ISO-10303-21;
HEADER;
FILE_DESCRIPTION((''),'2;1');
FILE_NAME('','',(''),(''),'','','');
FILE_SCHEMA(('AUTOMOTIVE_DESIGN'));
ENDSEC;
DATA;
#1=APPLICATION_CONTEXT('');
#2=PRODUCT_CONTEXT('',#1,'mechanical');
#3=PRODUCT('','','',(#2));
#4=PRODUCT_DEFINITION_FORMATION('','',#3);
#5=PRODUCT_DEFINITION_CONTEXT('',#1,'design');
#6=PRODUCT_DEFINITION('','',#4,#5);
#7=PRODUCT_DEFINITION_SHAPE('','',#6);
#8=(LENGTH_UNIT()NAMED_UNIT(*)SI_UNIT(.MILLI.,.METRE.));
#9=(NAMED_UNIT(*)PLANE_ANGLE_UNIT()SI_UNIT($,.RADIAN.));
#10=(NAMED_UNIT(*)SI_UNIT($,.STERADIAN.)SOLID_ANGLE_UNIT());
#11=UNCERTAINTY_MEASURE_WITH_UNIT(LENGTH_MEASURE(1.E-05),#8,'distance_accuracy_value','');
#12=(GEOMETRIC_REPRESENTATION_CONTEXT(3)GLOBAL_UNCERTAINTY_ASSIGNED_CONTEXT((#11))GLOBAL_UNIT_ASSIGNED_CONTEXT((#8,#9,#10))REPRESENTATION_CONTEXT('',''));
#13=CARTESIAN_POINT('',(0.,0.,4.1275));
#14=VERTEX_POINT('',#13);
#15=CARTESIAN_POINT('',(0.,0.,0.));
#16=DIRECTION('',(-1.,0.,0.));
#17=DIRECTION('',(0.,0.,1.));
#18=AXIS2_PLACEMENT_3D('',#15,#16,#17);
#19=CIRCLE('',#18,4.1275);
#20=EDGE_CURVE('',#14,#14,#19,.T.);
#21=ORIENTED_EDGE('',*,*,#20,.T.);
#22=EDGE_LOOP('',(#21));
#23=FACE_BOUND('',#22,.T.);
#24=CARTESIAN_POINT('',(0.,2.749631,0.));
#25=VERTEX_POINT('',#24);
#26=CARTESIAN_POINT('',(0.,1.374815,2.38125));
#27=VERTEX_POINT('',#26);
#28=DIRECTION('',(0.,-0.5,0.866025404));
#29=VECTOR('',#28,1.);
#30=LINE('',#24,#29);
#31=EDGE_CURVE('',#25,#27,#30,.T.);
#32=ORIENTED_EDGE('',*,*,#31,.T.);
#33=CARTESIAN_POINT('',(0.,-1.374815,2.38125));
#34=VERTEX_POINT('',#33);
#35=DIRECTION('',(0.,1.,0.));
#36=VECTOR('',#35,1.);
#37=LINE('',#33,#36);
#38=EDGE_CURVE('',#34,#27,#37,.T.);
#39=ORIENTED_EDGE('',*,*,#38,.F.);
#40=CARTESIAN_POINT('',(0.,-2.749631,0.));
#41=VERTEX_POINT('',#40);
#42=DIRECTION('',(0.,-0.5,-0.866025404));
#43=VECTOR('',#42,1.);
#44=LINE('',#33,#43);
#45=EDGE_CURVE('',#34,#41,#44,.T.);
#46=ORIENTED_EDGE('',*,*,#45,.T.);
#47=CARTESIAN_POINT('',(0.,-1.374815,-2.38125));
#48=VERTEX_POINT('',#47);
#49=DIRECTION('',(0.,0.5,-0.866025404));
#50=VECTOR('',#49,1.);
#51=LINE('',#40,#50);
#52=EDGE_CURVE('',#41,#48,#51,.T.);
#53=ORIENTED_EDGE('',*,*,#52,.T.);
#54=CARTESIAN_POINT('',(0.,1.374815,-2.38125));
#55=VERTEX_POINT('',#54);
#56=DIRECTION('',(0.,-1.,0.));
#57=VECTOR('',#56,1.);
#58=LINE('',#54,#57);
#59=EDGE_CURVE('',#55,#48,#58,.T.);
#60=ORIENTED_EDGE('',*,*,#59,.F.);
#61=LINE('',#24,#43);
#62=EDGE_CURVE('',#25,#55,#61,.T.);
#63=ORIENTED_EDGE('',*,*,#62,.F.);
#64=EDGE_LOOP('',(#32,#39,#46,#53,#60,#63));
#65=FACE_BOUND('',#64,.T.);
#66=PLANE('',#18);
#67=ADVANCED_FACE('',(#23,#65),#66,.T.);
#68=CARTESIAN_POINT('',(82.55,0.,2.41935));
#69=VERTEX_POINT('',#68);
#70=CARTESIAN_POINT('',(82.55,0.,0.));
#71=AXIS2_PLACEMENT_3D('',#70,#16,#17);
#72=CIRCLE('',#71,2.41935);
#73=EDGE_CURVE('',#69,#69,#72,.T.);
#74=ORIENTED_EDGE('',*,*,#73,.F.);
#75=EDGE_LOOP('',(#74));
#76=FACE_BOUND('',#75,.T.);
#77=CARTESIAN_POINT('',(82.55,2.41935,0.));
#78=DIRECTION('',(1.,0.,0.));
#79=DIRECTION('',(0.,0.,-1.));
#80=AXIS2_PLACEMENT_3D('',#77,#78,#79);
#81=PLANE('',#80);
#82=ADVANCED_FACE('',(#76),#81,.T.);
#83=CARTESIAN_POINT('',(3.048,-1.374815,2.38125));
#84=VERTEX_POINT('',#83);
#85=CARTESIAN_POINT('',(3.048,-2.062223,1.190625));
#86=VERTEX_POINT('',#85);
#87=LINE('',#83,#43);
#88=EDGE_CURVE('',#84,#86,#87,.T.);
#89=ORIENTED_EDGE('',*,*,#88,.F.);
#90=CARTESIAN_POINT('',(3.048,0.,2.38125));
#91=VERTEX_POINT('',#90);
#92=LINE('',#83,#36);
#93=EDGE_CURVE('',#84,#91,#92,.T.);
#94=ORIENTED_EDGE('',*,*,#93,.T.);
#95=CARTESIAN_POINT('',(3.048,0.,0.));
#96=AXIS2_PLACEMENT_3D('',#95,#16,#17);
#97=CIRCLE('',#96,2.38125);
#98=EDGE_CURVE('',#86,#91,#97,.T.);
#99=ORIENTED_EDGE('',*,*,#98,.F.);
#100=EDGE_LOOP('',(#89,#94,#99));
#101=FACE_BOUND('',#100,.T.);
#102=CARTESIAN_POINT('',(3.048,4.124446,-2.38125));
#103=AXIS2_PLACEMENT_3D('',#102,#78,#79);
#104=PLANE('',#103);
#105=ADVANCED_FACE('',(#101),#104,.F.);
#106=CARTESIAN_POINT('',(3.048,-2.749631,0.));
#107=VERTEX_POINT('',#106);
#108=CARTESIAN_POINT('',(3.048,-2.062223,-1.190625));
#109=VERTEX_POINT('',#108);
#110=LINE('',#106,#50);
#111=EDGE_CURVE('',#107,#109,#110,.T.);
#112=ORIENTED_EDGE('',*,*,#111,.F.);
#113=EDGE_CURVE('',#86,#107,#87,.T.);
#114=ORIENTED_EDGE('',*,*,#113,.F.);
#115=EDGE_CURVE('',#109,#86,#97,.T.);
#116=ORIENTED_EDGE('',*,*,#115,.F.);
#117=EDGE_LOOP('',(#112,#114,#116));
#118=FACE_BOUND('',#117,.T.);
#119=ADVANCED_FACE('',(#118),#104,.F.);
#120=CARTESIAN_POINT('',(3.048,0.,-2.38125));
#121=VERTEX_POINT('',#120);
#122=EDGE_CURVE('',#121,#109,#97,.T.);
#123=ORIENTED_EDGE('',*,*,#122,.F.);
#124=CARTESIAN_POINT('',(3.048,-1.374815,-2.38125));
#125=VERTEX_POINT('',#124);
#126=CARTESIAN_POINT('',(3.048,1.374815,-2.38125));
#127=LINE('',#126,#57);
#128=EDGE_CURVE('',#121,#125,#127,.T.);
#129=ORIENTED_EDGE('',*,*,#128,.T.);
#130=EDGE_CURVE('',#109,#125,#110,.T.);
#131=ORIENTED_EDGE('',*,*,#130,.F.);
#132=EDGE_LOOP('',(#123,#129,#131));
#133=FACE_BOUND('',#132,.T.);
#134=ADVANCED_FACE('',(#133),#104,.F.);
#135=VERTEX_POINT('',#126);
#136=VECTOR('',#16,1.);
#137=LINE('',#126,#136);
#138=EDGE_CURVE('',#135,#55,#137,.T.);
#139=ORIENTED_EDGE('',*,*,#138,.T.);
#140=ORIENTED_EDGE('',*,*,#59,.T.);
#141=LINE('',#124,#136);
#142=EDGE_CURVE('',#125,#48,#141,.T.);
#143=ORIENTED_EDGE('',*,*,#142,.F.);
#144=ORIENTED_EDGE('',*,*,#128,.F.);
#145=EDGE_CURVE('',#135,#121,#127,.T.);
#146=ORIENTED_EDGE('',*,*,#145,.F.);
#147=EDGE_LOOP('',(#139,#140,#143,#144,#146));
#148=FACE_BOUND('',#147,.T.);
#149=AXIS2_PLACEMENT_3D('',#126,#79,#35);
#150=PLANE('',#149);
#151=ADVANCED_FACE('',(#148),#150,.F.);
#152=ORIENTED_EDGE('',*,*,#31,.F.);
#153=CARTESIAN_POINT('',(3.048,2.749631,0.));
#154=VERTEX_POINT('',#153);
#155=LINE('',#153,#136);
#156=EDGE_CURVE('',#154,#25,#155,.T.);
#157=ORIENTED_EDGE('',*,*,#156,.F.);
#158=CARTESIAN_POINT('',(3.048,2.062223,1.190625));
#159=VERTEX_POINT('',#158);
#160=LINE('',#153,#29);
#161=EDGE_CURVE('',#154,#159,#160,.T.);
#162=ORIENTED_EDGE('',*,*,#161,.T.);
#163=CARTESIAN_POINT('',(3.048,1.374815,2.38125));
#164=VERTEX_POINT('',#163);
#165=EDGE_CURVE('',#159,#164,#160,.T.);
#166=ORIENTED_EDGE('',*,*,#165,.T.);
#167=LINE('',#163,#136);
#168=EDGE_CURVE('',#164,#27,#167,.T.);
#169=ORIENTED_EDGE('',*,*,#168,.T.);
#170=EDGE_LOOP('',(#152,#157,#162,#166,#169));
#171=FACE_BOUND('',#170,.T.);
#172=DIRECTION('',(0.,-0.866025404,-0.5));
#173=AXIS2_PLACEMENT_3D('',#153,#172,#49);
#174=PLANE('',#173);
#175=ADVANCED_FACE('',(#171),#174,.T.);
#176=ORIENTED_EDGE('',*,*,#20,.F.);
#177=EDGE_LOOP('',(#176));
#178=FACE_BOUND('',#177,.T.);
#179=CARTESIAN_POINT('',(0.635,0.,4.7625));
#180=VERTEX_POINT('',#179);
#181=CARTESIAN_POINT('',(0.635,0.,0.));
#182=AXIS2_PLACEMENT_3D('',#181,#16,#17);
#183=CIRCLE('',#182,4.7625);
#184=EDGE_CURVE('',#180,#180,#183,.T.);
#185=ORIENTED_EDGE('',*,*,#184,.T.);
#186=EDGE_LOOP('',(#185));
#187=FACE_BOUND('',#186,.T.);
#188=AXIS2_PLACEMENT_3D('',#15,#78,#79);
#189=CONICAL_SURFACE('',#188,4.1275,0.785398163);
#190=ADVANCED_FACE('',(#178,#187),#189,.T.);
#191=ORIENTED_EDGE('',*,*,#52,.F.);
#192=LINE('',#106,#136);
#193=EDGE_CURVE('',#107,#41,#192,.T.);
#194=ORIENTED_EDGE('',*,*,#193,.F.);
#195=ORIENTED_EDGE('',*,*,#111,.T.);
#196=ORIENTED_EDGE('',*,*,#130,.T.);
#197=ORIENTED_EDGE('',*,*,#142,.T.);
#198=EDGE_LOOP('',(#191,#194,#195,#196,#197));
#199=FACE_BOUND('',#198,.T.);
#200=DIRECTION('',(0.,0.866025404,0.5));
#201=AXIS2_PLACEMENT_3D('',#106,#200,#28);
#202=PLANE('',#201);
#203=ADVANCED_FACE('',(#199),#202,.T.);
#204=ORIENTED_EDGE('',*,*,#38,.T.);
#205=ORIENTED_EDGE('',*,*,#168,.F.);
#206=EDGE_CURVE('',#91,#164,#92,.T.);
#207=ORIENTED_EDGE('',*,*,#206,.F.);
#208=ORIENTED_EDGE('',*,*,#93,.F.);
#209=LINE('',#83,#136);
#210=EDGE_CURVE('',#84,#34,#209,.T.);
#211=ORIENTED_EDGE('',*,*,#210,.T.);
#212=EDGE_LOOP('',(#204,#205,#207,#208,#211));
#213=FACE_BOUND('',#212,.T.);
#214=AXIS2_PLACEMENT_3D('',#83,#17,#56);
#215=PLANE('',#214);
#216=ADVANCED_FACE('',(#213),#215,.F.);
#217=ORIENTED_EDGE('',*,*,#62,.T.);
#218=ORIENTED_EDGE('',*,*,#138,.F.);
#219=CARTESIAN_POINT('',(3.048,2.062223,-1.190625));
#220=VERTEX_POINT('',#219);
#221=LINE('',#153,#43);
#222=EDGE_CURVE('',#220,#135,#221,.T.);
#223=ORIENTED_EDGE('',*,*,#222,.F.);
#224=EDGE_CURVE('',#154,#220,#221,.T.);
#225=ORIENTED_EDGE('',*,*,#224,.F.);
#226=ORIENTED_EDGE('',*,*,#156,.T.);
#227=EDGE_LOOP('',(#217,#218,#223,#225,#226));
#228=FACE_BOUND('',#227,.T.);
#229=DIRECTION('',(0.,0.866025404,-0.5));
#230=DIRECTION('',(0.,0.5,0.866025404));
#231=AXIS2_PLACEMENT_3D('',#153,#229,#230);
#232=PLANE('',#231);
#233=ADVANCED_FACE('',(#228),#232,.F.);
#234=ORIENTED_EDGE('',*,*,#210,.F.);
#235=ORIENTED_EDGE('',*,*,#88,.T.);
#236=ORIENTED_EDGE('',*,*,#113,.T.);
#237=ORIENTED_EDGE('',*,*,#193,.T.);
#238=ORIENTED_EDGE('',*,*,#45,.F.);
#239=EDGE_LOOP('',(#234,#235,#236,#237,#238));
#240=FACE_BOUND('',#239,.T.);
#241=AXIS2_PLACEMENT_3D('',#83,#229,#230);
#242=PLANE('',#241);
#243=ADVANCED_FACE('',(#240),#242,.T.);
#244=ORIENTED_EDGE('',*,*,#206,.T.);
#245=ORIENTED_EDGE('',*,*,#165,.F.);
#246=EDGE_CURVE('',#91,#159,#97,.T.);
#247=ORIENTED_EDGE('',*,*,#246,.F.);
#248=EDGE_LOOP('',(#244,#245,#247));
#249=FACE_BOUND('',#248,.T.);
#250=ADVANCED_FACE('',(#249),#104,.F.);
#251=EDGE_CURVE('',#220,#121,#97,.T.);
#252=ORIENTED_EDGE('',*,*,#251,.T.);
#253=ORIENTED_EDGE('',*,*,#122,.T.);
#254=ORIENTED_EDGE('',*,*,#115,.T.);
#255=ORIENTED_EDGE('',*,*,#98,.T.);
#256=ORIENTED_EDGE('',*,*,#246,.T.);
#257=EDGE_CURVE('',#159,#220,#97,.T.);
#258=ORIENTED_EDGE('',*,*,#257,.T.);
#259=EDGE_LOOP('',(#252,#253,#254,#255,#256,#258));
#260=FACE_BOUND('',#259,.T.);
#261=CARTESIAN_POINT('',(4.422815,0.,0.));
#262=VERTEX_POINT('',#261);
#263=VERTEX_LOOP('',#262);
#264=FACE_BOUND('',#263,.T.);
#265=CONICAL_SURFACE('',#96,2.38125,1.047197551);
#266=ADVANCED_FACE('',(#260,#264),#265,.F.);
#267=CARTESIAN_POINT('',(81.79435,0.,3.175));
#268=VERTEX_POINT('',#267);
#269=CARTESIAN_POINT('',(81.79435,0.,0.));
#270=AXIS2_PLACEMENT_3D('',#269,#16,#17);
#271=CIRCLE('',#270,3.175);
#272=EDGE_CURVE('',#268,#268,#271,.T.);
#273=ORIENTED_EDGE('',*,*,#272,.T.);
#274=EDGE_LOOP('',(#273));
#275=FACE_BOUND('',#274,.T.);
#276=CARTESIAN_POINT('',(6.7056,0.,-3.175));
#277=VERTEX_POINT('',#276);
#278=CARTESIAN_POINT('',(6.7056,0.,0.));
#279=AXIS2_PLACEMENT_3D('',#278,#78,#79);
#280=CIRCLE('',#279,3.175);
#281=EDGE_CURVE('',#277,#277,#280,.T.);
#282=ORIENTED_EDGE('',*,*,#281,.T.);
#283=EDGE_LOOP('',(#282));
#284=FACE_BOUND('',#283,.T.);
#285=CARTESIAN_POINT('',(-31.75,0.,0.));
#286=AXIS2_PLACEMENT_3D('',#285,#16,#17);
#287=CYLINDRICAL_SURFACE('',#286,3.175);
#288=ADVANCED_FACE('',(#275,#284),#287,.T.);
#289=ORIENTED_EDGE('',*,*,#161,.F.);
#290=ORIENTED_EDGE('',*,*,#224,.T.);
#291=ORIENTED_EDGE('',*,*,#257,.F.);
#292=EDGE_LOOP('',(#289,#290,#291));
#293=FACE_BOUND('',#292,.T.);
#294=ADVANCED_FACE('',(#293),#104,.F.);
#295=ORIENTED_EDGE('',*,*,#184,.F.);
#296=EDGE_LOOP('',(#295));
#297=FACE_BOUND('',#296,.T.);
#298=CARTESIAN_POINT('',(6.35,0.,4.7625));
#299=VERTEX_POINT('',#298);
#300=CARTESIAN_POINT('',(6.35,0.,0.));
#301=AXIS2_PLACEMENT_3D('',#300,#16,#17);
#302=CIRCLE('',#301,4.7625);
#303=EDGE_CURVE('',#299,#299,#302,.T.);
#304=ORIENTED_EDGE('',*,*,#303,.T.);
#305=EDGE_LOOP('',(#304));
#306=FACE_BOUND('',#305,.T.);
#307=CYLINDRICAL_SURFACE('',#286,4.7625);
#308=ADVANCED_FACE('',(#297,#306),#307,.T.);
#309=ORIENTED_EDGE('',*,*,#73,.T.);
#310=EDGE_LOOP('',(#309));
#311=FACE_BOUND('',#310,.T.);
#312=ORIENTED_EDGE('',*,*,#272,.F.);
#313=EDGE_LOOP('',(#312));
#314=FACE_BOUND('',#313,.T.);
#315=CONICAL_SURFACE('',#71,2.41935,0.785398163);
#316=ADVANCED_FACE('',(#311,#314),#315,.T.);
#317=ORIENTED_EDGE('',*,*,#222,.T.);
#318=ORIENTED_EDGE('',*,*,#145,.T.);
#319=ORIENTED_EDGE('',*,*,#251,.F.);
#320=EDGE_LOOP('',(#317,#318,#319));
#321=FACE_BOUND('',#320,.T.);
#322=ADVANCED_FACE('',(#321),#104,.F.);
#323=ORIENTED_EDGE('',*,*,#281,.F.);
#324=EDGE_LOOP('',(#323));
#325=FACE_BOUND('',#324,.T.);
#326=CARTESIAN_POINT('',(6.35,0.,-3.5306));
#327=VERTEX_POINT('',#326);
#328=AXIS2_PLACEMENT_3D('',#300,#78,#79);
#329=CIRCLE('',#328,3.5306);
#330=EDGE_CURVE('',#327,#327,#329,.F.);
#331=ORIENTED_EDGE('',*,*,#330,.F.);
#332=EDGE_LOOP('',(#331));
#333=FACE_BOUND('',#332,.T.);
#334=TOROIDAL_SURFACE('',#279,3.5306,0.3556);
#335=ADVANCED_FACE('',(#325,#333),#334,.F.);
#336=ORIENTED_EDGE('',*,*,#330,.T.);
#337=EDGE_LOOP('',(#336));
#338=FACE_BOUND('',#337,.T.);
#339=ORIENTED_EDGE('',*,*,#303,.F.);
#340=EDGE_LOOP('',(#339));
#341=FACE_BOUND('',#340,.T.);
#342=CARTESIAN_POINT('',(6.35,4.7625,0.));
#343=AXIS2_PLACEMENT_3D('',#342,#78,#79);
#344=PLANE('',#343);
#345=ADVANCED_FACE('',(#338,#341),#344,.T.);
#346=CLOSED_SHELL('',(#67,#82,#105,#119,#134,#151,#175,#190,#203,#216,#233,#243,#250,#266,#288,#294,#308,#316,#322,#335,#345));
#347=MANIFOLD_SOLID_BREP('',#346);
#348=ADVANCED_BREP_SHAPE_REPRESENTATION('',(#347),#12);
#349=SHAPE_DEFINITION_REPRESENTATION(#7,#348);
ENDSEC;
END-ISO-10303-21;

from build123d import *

# Parameters (mm, degrees)
FILLET1_R   = 0.3556
HEX_2_DEPTH = 3.048


with BuildPart() as part:
    # BodySke → Base-Revolve (revolve)
    with BuildSketch(Plane.XY):
        Polygon((0, 0), (0, 4.1275), (0.635, 4.7625), (6.35, 4.7625), (6.35, 3.175), (81.79435, 3.175), (82.55, 2.41935), (82.55, 0), align=None)
    revolve(axis=Axis((-31.75, 0, 0), (1, 0, 0)))

    # Fillet1
    fillet1_edges = [part.edges().sort_by_distance(p)[0] for p in [
        (6.35, -3.175, 0),
    ]]
    fillet(fillet1_edges, radius=FILLET1_R)

    # Sketch2 → Hex-PreBroach (revolve, cut)
    with BuildSketch(Plane.XY):
        Polygon((0, 2.38125), (3.048, 2.38125), (4.422815329, 0), (0, 0), align=None)
    revolve(axis=Axis((0, 0, 0), (1, 0, 0)), mode=Mode.SUBTRACT)

    # Sketch3 → Hex 2 (cut)
    with BuildSketch(Plane(origin=(0, 0, 0), x_dir=(0, 0.5, 0.866025404), z_dir=(-1, 0, 0))):
        Polygon((1.374815329, 2.38125), (-1.374815329, 2.38125), (-2.749630657, 0), (-1.374815329, -2.38125), (1.374815329, -2.38125), (2.749630657, 0), align=None)
    extrude(amount=-HEX_2_DEPTH, mode=Mode.SUBTRACT)


solid = part.part
